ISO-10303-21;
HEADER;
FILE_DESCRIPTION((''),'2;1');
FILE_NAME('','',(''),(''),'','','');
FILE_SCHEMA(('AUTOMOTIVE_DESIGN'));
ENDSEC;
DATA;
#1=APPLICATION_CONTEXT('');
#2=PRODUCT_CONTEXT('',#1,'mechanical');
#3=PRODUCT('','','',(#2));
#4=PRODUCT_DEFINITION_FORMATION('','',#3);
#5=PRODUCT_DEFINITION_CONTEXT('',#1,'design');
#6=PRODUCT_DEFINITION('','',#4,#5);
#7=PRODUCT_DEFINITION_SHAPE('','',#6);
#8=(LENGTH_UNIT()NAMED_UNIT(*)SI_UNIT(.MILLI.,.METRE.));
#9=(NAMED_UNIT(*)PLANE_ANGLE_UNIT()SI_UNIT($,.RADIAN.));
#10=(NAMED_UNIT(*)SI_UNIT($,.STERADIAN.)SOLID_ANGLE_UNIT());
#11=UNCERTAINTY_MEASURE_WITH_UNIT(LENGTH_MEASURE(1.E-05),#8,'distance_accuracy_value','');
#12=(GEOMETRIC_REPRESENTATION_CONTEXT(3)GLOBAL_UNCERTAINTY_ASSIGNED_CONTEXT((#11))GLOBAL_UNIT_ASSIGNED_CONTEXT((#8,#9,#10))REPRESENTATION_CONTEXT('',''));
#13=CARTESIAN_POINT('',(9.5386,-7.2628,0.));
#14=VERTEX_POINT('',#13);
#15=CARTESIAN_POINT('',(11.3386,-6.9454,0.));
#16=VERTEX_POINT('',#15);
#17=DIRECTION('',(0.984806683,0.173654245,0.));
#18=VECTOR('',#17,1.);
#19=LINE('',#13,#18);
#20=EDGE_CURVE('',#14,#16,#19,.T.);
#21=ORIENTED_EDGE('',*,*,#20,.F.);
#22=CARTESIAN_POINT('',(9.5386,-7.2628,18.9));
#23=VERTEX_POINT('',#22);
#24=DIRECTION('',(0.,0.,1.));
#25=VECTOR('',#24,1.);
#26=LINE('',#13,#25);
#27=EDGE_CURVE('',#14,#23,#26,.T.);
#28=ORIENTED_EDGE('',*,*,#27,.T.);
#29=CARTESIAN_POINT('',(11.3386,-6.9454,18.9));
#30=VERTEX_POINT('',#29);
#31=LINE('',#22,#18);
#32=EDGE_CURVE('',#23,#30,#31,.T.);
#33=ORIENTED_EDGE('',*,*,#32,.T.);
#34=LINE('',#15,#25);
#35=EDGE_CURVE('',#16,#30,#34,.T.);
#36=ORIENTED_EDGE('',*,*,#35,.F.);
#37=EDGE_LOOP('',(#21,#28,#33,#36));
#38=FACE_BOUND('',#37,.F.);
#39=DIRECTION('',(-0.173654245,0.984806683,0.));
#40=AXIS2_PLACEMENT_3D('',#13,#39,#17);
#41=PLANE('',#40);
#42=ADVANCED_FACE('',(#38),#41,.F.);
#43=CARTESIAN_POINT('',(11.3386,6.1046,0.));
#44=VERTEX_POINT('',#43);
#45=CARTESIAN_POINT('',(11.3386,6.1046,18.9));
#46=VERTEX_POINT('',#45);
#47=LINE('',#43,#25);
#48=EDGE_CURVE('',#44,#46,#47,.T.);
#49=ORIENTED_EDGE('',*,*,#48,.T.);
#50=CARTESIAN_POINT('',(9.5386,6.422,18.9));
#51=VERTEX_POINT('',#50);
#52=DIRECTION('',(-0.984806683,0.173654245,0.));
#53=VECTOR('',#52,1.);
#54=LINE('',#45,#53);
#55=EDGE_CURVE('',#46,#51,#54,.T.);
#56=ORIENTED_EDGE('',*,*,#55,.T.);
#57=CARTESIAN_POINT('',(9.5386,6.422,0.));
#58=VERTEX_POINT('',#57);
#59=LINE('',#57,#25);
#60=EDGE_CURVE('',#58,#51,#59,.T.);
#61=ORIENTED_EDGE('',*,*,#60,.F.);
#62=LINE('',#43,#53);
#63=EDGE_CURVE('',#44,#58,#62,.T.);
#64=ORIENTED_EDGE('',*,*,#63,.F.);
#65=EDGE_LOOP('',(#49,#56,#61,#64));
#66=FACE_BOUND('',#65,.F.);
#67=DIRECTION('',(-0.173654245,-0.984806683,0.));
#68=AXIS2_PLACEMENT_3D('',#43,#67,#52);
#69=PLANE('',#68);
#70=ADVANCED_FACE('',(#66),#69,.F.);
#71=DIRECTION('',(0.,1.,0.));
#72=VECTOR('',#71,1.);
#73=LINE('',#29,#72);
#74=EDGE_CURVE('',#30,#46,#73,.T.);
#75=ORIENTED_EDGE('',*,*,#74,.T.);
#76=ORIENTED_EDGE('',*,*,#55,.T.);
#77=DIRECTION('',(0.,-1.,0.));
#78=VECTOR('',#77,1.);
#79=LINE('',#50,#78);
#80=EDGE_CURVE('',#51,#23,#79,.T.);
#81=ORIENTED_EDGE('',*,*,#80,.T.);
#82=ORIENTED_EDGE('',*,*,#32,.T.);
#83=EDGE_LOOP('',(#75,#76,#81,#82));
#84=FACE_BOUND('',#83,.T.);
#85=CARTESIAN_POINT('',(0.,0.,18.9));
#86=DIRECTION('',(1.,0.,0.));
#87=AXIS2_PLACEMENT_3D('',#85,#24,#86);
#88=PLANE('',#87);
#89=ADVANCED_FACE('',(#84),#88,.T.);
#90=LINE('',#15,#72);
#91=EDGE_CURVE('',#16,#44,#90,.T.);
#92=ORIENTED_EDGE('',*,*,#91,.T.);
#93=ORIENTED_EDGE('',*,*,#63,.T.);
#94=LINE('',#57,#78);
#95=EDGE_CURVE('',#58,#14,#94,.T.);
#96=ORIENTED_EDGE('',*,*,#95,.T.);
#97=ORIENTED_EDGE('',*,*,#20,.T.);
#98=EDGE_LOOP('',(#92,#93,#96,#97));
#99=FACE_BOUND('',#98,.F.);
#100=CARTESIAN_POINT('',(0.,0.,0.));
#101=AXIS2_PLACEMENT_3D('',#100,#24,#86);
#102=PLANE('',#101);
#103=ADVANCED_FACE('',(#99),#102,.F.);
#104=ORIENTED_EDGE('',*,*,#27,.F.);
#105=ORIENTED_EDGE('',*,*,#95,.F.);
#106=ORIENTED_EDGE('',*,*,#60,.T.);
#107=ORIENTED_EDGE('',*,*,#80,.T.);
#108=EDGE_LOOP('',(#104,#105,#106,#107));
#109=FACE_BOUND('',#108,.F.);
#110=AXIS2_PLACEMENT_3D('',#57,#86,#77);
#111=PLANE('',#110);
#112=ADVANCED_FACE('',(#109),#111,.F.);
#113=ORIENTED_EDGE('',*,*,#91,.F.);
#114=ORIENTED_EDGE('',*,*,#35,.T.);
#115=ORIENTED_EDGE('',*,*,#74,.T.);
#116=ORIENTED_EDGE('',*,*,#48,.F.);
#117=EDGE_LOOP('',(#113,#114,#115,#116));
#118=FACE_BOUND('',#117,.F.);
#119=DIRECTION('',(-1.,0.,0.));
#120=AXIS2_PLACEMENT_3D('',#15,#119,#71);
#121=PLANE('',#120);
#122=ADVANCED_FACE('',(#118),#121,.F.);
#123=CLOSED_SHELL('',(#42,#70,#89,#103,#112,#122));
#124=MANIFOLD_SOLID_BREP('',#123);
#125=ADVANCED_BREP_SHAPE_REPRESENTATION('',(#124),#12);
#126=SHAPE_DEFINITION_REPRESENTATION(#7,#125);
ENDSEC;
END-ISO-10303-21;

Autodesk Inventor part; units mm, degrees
ref_plane "YZ Plane" through (0, 0, 0) normal (1, 0, 0) x (0, 1, 0)
ref_plane "XZ Plane" through (0, 0, 0) normal (0, 1, 0) x (-1, 0, 0)
ref_plane "XY Plane" through (0, 0, 0) normal (0, 0, 1) x (1, 0, 0)
sketch "Skizze1" plane through (0, 0, 0) normal (0, 0, 1) x (1, 0, 0)
  line L0 (11.3386, 6.1046) -> (9.5386, 6.422)
  line L1 (9.5386, 6.422) -> (9.5386, -7.2628)
  line L2 (9.5386, -7.2628) -> (11.3386, -6.9454)
  line L3 (11.3386, 6.1046) -> (9.5386, 6.422)
  line L4 (9.5386, 6.422) -> (9.5386, -7.2628)
  line L5 (9.5386, -7.2628) -> (11.3386, -6.9454)
  line L6 (11.3386, -6.9454) -> (11.3386, 6.1046)
  point P0 (0, 0)
extrude "Extrusion1" add sketch "Skizze1" along normal blind 18.9
properties part number "10. Griff_Abdeckung"
